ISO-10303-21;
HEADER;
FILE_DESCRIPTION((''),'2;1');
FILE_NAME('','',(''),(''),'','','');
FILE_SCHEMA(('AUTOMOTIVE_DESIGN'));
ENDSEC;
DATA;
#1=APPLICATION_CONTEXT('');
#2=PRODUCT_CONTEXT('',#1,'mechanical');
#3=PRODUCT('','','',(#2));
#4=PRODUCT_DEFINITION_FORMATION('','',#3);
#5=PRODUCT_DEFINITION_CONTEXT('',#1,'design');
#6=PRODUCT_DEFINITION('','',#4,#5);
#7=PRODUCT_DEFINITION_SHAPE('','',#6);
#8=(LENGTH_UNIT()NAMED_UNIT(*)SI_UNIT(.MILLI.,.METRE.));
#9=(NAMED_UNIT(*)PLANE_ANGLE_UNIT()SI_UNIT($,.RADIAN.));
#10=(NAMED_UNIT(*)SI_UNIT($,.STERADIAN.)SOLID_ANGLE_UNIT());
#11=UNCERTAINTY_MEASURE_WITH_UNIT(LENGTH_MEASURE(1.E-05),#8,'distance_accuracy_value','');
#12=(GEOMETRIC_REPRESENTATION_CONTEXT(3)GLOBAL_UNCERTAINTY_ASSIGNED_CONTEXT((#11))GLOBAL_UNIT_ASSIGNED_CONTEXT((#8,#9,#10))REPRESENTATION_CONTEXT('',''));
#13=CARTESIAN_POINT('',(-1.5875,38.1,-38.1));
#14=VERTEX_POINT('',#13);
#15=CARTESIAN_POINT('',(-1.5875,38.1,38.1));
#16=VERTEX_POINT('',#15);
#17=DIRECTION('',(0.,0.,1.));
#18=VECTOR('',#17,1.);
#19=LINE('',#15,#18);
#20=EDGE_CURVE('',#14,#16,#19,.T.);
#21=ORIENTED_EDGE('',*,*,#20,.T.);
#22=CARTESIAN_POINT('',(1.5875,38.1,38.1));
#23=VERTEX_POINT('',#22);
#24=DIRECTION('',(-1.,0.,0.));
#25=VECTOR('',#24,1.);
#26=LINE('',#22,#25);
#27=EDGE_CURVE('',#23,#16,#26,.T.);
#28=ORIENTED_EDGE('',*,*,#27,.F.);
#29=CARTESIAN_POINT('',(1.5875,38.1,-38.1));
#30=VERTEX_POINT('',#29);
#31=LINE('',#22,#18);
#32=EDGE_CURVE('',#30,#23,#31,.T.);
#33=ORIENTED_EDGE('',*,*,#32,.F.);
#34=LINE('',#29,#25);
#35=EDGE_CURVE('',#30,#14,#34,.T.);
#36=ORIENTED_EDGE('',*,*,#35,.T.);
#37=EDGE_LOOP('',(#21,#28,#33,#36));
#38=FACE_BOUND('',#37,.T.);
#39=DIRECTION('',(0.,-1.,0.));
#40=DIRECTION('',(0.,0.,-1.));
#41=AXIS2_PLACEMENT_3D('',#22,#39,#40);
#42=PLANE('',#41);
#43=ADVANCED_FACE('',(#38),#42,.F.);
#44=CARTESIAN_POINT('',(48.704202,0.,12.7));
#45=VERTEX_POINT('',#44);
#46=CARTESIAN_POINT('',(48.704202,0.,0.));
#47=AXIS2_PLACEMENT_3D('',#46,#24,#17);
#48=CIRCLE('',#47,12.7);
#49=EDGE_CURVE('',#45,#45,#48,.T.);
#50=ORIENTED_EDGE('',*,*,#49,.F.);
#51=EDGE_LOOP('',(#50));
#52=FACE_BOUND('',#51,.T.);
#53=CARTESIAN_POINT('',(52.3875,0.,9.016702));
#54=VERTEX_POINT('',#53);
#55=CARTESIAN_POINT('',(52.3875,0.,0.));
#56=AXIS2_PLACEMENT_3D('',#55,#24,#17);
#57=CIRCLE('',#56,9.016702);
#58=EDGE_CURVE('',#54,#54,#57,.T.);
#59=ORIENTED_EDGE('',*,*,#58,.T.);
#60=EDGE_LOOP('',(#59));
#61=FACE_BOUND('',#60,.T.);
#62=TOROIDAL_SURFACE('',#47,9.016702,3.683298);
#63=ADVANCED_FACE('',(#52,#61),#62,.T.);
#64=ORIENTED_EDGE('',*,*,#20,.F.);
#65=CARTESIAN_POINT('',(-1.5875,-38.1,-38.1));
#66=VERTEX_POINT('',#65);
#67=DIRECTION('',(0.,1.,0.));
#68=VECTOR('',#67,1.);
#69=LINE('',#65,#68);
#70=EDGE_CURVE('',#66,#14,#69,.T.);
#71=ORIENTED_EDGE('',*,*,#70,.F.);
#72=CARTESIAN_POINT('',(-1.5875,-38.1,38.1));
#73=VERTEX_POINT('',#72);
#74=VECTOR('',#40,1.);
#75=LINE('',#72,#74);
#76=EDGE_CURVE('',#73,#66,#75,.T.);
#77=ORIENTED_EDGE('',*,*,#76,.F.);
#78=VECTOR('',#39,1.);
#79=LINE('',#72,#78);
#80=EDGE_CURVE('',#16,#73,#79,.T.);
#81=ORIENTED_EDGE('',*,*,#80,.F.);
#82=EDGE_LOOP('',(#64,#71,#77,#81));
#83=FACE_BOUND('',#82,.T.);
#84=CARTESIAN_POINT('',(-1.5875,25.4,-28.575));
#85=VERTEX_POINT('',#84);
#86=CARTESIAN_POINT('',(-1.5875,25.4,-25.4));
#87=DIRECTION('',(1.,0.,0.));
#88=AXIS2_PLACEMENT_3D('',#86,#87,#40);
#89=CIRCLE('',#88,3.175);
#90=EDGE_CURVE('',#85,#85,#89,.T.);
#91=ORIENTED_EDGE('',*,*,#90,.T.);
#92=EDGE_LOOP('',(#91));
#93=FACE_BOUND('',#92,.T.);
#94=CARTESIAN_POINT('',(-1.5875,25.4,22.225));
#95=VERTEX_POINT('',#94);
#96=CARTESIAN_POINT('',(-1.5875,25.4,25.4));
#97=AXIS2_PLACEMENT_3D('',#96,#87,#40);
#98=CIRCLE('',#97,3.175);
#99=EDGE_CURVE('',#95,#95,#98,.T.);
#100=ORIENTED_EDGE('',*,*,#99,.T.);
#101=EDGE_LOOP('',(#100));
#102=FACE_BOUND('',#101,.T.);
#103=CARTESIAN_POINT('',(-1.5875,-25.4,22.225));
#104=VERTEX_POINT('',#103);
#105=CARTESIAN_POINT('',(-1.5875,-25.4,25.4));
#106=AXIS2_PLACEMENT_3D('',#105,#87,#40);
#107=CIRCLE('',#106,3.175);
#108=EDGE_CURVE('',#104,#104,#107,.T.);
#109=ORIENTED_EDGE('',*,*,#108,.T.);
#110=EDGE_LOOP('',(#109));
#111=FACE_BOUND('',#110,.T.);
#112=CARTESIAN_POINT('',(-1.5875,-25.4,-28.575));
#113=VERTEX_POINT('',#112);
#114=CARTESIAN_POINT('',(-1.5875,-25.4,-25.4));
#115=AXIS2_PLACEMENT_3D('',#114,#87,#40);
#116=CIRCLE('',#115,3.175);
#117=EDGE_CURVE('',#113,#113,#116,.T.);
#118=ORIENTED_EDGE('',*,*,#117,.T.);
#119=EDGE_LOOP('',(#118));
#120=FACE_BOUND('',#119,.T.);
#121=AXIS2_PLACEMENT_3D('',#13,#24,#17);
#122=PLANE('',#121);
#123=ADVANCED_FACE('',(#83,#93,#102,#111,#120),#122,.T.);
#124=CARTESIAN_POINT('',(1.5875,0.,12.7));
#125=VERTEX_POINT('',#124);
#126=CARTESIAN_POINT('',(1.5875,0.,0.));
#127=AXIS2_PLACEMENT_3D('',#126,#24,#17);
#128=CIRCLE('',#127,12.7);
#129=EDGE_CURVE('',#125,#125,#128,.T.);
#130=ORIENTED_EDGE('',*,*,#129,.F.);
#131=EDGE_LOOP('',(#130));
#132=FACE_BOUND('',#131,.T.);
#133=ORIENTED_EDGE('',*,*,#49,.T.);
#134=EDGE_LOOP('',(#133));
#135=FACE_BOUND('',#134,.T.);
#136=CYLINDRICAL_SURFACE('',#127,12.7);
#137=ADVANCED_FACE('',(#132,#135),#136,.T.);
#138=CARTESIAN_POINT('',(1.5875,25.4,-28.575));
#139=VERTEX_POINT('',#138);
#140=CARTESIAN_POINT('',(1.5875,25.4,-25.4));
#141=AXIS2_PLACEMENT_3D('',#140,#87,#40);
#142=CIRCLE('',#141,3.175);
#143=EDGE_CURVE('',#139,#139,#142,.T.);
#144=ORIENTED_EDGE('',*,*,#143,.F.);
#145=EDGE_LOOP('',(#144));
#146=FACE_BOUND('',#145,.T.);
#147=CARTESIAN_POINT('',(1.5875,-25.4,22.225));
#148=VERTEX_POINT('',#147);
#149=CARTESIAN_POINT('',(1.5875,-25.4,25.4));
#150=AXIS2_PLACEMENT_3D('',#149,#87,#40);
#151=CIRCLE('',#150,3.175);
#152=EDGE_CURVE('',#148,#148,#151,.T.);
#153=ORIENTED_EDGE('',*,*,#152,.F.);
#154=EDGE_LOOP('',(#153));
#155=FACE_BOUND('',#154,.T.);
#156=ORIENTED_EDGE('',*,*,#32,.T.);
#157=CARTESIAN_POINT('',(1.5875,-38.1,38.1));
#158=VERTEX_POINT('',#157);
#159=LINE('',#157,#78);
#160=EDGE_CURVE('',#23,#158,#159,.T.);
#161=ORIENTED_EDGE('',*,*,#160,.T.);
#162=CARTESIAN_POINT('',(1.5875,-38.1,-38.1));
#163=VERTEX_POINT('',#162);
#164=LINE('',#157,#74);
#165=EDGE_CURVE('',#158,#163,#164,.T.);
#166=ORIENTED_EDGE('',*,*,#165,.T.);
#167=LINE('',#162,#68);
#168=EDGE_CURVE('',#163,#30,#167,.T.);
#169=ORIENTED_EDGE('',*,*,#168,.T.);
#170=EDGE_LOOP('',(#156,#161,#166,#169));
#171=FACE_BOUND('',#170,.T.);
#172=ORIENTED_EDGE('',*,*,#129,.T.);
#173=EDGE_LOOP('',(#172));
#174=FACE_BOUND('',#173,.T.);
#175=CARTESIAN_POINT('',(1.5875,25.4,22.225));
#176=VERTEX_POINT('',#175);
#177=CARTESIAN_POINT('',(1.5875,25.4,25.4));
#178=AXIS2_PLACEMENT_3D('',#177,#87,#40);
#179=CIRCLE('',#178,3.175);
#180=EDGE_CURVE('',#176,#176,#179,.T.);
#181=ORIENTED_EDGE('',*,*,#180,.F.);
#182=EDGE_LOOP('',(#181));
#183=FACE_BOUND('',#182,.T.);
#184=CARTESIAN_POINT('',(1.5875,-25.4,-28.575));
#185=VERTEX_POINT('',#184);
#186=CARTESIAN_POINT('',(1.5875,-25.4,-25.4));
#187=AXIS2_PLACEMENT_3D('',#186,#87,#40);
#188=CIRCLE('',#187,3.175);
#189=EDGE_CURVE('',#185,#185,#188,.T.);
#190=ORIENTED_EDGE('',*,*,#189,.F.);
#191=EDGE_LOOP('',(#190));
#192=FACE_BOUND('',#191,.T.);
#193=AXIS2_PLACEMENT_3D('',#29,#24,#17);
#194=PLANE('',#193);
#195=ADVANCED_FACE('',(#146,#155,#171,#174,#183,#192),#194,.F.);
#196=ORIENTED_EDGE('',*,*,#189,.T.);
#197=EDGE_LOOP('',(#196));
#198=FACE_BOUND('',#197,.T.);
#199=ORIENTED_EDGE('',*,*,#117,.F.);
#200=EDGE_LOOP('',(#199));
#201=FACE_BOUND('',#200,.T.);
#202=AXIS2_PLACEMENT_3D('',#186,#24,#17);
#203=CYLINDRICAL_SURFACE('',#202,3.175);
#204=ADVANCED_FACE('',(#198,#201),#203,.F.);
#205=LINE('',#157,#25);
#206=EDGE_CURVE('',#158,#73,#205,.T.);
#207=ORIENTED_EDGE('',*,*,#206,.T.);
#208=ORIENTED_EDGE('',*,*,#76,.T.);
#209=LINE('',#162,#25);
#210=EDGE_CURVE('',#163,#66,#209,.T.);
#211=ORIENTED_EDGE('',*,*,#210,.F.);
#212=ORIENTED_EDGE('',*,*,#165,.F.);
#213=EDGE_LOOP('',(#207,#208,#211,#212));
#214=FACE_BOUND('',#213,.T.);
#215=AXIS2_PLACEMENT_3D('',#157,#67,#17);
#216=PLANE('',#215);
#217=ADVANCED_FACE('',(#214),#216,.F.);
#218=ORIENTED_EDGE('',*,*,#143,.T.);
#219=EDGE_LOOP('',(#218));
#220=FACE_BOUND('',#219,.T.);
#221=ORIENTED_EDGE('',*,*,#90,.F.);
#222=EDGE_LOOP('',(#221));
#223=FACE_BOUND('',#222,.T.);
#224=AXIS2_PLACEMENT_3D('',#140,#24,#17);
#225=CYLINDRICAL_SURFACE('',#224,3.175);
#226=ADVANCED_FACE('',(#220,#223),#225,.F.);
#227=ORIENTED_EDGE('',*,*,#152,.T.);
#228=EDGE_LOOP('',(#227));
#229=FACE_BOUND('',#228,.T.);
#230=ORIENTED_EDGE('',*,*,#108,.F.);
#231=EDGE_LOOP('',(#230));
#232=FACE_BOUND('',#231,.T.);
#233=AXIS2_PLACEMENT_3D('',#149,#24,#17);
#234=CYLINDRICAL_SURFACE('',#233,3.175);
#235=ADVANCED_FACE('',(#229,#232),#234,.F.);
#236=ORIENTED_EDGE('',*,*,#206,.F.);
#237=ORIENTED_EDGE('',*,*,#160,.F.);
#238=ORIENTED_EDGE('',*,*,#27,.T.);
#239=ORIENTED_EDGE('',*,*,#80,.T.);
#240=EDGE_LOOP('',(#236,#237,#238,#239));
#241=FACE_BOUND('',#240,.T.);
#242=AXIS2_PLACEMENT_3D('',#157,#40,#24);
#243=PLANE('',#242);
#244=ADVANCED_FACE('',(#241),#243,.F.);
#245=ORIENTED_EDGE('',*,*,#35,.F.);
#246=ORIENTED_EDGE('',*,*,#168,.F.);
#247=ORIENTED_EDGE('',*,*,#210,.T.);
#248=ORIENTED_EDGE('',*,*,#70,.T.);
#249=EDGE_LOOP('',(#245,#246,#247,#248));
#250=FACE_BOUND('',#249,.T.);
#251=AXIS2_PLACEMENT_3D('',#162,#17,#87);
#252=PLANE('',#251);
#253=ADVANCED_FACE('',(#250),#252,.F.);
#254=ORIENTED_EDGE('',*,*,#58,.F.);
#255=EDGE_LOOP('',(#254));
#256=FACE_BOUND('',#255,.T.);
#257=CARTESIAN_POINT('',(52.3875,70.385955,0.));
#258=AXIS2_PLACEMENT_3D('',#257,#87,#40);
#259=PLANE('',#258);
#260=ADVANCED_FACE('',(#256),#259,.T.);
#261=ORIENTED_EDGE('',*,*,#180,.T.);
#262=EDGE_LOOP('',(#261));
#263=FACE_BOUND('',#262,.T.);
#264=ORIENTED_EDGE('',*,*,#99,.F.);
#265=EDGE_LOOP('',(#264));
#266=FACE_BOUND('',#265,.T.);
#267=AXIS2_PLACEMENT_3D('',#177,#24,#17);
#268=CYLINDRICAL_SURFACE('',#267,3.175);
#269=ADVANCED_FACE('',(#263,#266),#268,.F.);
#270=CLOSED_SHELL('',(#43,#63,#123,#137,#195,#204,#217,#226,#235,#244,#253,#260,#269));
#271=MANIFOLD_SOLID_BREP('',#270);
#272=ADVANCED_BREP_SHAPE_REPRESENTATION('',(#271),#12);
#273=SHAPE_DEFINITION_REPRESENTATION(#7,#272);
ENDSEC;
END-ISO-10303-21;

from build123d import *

# Parameters (mm, degrees)
SKETCH1_W           = 76.2
SKETCH1_H           = 76.2
SKETCH1_R           = 3.175
BOSS_EXTRUDE1_DEPTH = 1.5875


with BuildPart() as part:
    # Sketch1 → Boss-Extrude1 (new, symmetric)
    with BuildSketch(Plane(origin=(0, 0, 0), x_dir=(0, 0, -1), z_dir=(1, 0, 0))):
        Rectangle(SKETCH1_W, SKETCH1_H)
        with Locations((-25.4, 25.4)):
            Circle(SKETCH1_R, mode=Mode.SUBTRACT)
        with Locations((25.4, 25.4)):
            Circle(SKETCH1_R, mode=Mode.SUBTRACT)
        with Locations((25.4, -25.4)):
            Circle(SKETCH1_R, mode=Mode.SUBTRACT)
        with Locations((-25.4, -25.4)):
            Circle(SKETCH1_R, mode=Mode.SUBTRACT)
    extrude(amount=BOSS_EXTRUDE1_DEPTH, both=True)

    # Sketch2 → Revolve1 (revolve)
    with BuildSketch(Plane.XY, mode=Mode.PRIVATE) as revolve1_sk:
        with BuildLine():
            Line((48.70420202, 12.7), (1.5875, 12.7))
            Line((1.5875, 12.7), (1.5875, 0))
            Line((1.5875, 0), (52.3875, 0))
            Line((52.3875, 0), (52.3875, 9.01670202))
            ThreePointArc((52.3875, 9.01670202), (51.308686999, 11.621186999), (48.70420202, 12.7))
        make_face()
    revolve(revolve1_sk.sketch.rotate(Axis((1.5875, 0, 0), (1, 0, 0)), 90), axis=Axis((1.5875, 0, 0), (1, 0, 0)))


solid = part.part
